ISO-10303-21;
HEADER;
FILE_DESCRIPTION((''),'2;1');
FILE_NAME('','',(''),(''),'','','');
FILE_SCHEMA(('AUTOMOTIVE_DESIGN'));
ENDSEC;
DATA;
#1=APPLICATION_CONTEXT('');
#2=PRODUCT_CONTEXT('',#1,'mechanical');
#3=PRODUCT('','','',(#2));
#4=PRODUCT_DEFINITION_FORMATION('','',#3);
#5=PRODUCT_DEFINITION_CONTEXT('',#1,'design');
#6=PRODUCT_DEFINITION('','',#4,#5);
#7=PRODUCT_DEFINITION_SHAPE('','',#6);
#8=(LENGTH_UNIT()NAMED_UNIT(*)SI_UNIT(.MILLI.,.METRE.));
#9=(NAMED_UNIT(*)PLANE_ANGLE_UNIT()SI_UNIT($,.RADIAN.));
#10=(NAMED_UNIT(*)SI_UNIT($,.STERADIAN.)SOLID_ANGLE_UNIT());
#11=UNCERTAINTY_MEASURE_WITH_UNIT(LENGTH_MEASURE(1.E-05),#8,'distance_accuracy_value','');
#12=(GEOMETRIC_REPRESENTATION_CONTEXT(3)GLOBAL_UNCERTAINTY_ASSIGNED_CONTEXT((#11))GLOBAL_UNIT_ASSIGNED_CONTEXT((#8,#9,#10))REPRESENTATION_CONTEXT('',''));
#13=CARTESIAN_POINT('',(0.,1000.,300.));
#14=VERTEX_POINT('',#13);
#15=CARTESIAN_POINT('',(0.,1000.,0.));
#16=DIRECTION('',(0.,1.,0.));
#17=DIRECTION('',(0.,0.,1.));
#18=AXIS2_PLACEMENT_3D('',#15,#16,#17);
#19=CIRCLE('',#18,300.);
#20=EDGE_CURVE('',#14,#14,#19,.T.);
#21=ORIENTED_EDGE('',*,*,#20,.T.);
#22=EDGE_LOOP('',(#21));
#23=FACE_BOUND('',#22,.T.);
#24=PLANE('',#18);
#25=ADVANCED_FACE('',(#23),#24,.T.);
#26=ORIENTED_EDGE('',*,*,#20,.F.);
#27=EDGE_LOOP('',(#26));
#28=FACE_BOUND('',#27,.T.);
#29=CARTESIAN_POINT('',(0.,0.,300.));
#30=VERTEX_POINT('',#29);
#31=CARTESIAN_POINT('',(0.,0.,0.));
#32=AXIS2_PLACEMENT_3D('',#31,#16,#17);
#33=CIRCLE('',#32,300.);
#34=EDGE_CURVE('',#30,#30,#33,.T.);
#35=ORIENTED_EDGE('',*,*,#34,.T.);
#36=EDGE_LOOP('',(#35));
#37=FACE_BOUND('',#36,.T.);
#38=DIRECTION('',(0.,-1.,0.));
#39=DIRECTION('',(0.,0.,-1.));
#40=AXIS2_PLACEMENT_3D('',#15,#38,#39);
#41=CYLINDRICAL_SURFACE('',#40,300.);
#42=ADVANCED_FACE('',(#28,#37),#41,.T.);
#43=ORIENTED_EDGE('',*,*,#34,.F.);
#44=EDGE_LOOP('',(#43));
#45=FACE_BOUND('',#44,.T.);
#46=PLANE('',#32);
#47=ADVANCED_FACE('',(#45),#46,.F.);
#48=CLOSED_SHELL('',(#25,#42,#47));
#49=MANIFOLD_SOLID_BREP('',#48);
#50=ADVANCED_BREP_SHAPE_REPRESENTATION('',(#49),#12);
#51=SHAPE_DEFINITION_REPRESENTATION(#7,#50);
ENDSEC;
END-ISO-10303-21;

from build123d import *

# Parameters (mm, degrees)
SKETCH_1_R      = 300
EXTRUDE_1_DEPTH = 1000


with BuildPart() as part:
    # 草图1 → 凸台-拉伸1 (new body)
    with BuildSketch(Plane(origin=(0, 0, 0), x_dir=(1, 0, 0), z_dir=(0, 1, 0))):
        with Locations(Location((0, 0, 0), (0, 0, 270))):
            Circle(SKETCH_1_R)
    extrude(amount=EXTRUDE_1_DEPTH)


solid = part.part
